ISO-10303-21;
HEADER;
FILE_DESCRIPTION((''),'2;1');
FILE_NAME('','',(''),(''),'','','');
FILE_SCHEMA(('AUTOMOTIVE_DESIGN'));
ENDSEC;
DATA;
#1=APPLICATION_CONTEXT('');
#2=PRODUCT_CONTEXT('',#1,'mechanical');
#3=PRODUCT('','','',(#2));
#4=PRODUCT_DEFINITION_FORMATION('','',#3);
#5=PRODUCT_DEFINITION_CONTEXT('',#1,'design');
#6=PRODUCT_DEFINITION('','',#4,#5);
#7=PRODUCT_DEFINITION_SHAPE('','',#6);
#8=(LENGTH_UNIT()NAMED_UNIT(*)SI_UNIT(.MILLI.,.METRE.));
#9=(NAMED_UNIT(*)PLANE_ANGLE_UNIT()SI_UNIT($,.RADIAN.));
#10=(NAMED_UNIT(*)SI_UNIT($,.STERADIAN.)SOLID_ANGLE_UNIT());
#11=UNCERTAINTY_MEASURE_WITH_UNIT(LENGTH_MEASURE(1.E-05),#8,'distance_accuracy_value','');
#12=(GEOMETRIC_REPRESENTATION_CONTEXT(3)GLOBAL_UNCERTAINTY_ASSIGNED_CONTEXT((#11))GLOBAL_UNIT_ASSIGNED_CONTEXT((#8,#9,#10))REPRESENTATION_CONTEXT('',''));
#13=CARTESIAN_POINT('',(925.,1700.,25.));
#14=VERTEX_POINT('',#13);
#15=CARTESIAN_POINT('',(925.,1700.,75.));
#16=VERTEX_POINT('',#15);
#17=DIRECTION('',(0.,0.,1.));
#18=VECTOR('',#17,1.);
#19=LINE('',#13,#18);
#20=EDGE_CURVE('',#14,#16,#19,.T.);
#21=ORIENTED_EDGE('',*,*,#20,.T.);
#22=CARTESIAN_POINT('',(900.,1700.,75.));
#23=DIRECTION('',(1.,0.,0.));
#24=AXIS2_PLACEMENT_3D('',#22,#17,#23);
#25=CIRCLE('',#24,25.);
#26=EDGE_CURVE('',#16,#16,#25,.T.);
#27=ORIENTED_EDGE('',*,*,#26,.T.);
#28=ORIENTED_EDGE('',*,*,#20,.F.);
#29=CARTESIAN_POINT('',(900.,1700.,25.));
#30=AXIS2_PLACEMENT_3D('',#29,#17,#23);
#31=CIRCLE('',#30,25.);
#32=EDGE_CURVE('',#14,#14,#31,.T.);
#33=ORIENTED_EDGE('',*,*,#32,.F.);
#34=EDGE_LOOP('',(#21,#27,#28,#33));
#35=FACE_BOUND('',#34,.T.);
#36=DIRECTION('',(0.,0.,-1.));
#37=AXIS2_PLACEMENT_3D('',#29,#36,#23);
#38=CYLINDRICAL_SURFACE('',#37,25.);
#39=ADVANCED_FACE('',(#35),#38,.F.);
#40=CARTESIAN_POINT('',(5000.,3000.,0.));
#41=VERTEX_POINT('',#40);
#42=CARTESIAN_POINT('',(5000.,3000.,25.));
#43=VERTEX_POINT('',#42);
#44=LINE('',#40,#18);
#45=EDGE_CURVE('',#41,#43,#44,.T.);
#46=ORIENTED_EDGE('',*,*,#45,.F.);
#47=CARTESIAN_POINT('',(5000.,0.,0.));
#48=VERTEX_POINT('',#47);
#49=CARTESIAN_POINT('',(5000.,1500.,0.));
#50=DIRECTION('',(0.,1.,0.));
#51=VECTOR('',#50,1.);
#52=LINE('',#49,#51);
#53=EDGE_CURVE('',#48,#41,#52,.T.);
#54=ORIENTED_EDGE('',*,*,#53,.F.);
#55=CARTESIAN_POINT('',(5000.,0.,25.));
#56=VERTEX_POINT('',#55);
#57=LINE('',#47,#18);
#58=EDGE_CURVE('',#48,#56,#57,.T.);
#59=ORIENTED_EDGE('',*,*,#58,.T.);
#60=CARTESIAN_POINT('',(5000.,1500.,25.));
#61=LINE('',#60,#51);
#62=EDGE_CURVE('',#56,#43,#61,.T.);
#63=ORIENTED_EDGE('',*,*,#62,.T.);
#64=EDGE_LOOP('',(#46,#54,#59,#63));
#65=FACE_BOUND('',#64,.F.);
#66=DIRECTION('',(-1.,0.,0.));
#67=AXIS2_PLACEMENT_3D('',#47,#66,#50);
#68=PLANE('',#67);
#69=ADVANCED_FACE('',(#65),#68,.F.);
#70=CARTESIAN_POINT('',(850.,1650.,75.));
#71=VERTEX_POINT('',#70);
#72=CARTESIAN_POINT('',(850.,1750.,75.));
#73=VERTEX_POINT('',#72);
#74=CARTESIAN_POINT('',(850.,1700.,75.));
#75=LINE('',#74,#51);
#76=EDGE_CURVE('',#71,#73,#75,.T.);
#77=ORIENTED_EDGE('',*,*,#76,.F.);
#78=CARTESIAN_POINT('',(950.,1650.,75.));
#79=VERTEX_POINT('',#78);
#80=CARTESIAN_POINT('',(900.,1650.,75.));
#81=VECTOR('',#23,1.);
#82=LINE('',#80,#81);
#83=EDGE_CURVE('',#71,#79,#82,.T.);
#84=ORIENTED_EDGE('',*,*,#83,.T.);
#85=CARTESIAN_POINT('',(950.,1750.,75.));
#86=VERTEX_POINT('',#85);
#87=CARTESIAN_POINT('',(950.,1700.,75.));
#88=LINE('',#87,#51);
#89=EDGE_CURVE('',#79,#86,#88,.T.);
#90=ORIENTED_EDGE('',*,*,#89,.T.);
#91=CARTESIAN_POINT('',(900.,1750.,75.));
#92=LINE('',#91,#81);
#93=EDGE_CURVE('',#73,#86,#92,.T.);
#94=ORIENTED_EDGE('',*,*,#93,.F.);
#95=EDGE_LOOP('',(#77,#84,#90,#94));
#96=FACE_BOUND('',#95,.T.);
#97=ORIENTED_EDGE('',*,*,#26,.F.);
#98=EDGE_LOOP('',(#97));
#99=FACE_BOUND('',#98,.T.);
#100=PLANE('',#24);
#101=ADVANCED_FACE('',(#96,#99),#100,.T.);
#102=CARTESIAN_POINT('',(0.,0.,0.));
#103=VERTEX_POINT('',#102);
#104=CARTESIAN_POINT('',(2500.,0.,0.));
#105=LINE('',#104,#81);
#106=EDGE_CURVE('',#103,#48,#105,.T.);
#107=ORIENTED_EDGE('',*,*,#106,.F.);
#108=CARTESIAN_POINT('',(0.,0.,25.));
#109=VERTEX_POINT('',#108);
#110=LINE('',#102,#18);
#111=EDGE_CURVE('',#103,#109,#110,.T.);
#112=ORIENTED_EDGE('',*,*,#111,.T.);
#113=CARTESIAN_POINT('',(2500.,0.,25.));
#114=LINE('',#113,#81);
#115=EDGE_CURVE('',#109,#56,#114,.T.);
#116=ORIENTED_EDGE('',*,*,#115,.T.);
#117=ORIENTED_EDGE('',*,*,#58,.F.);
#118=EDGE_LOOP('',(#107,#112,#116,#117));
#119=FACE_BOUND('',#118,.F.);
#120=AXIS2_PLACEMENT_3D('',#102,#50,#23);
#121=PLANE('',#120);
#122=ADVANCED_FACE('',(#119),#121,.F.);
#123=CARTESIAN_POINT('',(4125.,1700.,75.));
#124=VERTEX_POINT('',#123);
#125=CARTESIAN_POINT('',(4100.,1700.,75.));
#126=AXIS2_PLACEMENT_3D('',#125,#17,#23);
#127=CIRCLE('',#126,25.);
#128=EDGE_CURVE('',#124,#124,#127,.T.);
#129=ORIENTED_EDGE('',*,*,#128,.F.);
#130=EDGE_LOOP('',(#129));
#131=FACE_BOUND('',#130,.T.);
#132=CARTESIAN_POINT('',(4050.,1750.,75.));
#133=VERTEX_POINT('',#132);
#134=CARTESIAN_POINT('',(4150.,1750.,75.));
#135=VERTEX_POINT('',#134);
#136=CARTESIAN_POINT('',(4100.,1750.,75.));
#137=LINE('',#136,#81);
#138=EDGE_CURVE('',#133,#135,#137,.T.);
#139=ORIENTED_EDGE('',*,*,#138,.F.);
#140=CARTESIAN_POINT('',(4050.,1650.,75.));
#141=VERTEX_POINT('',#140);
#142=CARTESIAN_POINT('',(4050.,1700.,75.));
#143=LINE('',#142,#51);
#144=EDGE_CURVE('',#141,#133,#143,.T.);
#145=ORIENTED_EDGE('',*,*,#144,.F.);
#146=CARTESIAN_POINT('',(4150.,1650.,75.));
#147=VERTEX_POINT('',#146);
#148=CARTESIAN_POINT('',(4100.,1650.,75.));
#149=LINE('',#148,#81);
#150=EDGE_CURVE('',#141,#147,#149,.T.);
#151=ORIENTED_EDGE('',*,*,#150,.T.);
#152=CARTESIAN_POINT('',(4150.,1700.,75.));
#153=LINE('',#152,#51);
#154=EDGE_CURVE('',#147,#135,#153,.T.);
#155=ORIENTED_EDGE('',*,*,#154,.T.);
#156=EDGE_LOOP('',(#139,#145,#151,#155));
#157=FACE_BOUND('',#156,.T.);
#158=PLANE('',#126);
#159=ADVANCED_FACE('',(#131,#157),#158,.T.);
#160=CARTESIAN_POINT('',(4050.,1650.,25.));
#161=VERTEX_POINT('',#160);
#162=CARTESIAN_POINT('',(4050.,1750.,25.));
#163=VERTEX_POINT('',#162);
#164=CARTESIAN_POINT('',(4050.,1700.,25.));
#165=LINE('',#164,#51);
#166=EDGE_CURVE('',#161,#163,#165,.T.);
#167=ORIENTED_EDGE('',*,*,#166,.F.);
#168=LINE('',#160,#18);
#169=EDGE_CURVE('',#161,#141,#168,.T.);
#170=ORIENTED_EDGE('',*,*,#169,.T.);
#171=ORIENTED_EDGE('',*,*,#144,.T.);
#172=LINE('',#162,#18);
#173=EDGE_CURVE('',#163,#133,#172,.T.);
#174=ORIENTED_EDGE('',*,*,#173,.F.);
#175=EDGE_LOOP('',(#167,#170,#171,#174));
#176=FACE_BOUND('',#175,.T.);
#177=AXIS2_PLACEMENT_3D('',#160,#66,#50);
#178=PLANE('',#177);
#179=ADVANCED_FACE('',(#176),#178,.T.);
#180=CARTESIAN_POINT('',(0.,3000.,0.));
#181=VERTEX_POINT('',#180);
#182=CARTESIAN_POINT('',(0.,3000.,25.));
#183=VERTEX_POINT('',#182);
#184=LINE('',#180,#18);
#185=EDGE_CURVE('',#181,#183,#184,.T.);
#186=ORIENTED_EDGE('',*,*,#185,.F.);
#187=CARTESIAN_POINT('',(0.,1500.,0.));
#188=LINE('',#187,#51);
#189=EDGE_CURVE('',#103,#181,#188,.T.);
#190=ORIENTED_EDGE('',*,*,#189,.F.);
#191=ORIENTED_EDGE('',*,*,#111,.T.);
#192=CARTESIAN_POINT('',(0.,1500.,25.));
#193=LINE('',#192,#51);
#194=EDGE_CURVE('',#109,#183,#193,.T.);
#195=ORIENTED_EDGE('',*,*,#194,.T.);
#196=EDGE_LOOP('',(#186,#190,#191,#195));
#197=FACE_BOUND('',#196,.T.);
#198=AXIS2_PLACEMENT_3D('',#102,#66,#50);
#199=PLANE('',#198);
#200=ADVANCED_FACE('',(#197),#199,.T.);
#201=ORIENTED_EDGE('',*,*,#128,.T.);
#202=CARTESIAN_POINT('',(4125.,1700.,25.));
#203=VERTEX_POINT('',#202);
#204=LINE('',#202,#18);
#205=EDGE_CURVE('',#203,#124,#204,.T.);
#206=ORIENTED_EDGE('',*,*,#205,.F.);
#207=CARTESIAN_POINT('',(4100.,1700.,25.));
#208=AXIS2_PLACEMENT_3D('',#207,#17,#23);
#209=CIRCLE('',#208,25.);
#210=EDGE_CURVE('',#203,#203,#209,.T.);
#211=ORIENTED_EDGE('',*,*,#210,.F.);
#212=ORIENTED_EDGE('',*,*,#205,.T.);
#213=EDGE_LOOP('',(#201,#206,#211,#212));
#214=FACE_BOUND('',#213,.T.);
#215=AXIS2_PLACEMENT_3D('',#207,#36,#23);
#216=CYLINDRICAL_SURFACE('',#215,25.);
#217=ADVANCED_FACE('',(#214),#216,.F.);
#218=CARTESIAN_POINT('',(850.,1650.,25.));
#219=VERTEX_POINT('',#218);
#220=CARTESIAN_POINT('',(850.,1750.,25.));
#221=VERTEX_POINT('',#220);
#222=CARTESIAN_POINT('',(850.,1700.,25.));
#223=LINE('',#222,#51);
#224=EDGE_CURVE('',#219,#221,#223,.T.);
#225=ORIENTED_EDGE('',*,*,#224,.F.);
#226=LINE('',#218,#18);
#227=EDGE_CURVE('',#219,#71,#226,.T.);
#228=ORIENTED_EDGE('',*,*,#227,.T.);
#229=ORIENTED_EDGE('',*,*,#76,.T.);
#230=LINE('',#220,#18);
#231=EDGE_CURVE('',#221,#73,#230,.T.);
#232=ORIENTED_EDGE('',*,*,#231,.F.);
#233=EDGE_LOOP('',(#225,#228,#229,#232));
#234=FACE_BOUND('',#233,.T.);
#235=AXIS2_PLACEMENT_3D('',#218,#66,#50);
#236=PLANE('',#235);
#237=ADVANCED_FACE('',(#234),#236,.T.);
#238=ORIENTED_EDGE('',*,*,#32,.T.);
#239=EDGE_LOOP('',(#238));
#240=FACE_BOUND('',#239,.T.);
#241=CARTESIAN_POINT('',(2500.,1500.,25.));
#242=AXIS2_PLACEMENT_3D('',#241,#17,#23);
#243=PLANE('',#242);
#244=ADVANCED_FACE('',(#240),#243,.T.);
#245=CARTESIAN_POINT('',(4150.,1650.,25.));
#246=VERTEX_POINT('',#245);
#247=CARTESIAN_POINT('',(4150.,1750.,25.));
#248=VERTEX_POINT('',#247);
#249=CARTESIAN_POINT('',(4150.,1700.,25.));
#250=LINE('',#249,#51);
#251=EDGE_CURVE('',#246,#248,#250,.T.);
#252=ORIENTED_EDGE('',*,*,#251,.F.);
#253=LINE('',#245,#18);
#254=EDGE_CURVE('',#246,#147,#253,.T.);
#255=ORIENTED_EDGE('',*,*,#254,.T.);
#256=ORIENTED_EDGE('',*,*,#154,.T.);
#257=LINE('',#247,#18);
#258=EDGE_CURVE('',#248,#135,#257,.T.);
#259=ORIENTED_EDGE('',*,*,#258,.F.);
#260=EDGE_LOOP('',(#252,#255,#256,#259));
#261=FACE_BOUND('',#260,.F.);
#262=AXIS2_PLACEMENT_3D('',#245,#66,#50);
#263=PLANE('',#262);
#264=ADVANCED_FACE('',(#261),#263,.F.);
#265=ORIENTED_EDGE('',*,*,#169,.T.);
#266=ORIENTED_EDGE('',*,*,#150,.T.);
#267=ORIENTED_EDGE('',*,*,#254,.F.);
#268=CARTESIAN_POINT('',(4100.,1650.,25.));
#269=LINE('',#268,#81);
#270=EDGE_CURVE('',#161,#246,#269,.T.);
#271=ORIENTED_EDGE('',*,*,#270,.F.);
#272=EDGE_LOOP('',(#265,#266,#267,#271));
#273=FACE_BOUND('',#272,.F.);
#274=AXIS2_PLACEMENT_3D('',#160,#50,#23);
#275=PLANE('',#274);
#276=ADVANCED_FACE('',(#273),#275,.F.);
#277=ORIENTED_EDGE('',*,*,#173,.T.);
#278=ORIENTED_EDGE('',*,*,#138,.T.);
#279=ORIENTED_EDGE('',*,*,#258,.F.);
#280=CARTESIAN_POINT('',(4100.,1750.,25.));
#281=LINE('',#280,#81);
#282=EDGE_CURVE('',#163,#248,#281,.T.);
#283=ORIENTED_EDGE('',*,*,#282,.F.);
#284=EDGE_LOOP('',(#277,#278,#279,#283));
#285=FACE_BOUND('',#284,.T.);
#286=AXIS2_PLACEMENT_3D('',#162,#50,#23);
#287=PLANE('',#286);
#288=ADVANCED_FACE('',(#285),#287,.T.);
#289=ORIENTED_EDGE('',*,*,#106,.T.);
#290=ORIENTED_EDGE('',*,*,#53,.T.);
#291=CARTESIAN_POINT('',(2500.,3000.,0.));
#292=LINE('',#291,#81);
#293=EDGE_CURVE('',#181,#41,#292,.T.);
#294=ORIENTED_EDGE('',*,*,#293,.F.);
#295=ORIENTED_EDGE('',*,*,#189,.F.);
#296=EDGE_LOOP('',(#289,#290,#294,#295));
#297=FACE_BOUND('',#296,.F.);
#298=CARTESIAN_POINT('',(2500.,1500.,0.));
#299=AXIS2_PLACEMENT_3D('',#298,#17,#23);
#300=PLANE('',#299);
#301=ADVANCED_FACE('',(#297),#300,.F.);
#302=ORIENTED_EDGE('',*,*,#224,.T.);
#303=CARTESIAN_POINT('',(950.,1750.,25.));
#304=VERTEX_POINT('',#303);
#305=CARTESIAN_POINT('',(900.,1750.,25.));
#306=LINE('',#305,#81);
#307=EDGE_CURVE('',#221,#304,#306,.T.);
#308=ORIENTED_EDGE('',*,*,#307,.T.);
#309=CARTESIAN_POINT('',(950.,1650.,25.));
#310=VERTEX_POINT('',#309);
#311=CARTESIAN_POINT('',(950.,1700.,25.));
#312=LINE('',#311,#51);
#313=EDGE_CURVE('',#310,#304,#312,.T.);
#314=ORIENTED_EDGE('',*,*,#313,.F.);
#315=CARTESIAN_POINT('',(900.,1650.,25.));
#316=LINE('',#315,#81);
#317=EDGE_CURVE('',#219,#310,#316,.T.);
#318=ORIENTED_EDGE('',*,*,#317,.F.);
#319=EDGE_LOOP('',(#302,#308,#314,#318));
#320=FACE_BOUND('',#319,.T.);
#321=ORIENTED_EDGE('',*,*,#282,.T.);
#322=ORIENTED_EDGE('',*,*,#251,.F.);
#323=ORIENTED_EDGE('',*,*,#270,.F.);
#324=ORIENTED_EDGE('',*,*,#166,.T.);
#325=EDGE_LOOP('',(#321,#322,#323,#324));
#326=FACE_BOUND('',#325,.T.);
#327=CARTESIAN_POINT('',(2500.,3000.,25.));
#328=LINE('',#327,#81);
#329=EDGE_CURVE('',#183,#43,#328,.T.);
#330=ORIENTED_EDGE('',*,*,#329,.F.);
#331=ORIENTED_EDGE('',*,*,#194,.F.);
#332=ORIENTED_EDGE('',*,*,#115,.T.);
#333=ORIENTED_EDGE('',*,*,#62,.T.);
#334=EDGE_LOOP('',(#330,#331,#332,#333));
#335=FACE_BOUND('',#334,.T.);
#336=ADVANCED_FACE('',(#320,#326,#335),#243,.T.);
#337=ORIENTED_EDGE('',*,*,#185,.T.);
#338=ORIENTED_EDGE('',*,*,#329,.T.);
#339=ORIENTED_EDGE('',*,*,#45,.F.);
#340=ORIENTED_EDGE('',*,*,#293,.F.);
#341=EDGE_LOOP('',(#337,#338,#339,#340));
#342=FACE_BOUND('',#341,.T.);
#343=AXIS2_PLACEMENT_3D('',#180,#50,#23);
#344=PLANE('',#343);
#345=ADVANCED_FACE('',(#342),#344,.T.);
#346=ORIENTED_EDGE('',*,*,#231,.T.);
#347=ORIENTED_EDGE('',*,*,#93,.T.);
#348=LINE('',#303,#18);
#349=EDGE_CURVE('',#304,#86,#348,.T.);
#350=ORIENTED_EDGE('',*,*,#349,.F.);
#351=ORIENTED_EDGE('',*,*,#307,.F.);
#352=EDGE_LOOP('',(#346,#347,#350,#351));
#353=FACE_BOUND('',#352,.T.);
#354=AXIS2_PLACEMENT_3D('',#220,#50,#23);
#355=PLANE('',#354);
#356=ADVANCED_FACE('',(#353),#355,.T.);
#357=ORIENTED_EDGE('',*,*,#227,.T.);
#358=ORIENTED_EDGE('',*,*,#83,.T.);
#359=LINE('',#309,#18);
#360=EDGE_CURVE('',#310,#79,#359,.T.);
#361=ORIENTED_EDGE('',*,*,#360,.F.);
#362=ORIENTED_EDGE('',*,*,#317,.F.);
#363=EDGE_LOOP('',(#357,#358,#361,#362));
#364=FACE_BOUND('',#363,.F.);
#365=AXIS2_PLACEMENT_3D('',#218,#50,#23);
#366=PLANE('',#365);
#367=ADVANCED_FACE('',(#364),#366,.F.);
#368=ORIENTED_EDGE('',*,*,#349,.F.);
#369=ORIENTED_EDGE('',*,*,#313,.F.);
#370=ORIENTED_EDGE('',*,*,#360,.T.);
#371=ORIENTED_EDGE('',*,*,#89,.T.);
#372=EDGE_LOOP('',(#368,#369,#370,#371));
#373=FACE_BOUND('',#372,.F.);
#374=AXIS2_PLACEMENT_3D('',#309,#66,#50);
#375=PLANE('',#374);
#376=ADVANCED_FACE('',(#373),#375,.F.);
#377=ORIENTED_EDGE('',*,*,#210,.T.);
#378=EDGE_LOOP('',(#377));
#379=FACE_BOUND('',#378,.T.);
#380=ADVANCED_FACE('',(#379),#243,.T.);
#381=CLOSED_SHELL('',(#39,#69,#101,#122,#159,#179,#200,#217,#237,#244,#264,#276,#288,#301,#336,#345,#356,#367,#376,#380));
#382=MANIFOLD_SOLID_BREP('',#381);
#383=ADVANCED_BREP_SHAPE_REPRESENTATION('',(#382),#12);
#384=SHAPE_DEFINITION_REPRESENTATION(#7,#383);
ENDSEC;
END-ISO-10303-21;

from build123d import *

# Parameters (mm, degrees)
F0_W     = 5000
F0_H     = 3000
F1_DEPTH = 25
F3_W     = 100
F3_H     = 100
F3_R     = 25
F4_DEPTH = 50


with BuildPart() as f1:
    # F0 (on Top) → F1 (new body)
    with BuildSketch(Plane.XY):
        with Locations((2500, 1500)):
            Rectangle(F0_W, F0_H)
    extrude(amount=F1_DEPTH)

    # F3 (on face) → F4 (join)
    with BuildSketch(Plane.XY.offset(25)):
        with Locations((4100, 1700)):
            Rectangle(F3_W, F3_H)
        with Locations((4100, 1700)):
            Circle(F3_R, mode=Mode.SUBTRACT)
        with Locations((900, 1700)):
            Rectangle(F3_W, F3_H)
        with Locations((900, 1700)):
            Circle(F3_R, mode=Mode.SUBTRACT)
    extrude(amount=F4_DEPTH)


solid = f1.part
